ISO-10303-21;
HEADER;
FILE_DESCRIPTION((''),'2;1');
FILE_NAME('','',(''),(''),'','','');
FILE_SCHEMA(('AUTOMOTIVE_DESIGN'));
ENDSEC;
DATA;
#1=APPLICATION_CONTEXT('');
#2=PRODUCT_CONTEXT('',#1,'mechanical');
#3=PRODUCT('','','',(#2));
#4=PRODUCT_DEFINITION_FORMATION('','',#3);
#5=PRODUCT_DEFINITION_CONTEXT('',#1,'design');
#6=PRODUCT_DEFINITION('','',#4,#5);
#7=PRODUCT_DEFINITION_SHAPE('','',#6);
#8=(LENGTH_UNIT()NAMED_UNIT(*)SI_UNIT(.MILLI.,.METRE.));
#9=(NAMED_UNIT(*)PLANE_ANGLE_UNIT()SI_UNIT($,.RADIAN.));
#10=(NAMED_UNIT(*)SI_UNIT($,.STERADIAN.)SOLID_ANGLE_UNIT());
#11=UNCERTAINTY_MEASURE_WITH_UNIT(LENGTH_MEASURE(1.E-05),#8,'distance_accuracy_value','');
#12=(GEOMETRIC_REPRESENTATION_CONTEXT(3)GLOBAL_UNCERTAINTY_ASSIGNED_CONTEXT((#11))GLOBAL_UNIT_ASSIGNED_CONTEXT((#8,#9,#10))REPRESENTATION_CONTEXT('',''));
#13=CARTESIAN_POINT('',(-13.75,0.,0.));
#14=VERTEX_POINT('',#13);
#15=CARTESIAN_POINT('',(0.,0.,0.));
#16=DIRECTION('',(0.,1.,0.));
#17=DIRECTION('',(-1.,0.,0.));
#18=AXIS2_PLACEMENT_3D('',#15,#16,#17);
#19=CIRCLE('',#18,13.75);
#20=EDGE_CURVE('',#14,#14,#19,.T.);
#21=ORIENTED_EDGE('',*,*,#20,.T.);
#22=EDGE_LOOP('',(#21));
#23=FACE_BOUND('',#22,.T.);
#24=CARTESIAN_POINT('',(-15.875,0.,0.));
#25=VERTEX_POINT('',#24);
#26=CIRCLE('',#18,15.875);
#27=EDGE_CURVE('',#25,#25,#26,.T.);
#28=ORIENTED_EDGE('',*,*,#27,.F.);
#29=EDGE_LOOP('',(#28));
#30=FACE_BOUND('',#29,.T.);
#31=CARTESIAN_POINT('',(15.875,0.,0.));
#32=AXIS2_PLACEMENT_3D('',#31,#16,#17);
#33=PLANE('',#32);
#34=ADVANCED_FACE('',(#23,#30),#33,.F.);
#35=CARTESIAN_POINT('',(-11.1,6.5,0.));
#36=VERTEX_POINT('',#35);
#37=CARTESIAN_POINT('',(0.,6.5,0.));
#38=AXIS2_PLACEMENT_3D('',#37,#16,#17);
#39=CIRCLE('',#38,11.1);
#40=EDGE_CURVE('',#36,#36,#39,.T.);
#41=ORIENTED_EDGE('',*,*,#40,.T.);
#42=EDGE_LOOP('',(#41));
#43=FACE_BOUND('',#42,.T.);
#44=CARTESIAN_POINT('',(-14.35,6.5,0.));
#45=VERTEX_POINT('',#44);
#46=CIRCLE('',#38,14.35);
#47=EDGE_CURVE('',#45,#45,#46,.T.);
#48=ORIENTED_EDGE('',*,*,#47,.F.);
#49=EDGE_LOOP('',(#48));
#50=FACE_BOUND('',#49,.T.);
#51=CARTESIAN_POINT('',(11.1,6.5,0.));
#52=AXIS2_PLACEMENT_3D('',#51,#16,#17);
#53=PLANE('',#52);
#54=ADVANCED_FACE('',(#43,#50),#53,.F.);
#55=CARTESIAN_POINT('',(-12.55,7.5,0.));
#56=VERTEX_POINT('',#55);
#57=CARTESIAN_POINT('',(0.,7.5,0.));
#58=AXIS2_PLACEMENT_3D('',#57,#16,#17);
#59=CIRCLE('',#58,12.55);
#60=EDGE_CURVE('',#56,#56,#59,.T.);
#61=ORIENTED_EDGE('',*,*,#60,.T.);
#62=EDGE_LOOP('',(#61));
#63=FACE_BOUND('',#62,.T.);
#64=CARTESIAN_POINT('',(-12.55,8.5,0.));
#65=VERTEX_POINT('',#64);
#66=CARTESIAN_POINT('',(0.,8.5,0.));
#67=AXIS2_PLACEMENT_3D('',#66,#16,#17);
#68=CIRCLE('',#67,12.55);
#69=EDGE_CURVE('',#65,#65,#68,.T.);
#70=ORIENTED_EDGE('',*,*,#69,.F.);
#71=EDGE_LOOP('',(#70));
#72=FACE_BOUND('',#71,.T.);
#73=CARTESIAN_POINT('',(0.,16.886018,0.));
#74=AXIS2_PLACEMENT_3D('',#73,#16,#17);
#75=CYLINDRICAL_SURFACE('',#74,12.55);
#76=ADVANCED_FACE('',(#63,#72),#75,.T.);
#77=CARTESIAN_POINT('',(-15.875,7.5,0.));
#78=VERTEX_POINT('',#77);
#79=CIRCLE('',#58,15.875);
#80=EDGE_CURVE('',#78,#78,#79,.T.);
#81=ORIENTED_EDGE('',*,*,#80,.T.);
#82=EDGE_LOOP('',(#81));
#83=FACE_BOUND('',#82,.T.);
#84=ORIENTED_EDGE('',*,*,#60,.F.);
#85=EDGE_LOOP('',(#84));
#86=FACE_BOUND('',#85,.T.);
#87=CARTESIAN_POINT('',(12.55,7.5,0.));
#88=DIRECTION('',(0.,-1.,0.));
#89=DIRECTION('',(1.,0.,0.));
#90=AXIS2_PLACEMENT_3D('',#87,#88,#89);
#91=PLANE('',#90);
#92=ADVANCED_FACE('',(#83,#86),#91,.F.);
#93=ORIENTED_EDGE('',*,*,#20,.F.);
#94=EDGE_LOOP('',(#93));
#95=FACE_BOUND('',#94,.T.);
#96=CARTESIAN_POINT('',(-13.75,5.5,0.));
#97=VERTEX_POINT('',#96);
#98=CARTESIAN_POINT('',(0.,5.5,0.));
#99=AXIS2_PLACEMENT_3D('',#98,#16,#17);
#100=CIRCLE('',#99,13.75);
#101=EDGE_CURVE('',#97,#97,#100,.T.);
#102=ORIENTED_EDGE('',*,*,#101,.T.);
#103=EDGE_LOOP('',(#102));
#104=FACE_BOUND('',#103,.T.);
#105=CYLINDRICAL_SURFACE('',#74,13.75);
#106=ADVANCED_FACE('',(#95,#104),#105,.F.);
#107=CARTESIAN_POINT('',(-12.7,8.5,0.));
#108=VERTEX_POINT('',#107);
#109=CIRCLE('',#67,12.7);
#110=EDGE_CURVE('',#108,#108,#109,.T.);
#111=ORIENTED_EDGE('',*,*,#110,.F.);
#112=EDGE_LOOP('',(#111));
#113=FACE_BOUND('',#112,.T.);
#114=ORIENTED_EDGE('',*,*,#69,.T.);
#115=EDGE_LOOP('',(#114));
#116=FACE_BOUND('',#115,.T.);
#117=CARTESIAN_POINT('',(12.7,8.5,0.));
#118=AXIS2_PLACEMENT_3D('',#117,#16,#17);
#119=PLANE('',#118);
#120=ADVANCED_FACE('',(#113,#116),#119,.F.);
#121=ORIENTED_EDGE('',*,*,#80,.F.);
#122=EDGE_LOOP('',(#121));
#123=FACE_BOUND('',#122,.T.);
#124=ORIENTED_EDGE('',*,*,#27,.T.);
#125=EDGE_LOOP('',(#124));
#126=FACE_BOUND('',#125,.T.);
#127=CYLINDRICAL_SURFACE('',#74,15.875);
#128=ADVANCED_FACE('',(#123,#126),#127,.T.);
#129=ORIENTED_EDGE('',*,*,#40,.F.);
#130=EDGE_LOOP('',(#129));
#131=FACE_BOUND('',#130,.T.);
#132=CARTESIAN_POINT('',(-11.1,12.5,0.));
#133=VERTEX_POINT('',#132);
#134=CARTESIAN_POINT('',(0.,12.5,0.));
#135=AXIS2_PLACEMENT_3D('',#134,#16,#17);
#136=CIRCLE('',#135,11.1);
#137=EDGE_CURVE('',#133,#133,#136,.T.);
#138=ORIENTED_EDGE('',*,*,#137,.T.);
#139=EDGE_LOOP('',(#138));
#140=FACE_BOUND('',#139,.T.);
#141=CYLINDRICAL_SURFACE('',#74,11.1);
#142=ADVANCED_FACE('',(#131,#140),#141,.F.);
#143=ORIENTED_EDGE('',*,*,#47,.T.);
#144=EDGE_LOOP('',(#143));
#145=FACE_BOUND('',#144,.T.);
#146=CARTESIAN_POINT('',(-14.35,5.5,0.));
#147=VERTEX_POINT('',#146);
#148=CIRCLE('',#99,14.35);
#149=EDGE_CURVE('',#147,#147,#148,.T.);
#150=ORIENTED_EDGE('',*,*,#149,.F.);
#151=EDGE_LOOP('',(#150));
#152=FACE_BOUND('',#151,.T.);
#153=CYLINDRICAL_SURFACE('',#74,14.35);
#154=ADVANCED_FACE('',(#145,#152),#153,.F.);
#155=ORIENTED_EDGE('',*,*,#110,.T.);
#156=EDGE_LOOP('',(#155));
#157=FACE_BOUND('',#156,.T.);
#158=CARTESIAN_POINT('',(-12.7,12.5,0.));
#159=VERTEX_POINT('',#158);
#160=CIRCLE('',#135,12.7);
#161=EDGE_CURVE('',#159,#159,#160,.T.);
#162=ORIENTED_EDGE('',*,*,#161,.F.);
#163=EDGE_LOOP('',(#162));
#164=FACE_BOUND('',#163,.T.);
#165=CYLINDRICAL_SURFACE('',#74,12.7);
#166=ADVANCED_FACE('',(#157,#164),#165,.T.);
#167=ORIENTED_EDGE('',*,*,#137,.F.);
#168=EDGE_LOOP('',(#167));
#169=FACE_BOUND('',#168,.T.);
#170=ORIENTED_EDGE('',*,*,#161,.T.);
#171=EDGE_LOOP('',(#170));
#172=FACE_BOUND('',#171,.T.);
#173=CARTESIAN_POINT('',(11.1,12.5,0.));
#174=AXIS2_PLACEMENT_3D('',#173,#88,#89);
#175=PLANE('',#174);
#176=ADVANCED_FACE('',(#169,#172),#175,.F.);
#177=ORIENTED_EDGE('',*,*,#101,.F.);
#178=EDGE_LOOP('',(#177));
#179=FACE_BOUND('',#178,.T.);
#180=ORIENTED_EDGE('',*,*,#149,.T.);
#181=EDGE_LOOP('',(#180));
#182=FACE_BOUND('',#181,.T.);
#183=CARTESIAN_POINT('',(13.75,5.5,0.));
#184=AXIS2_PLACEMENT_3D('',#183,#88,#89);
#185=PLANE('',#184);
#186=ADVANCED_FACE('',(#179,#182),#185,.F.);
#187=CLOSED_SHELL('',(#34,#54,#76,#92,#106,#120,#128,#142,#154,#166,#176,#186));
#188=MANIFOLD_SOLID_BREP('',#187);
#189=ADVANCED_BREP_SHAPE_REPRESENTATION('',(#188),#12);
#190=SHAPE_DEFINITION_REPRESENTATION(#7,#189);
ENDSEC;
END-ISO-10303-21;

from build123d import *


with BuildPart() as part:
    # 草图1 → 旋转1 (revolve)
    with BuildSketch(Plane.XY, mode=Mode.PRIVATE) as revolve_1_sk:
        Polygon((13.75, 0), (13.75, 5.5), (14.35, 5.5), (14.35, 6.5), (11.1, 6.5), (11.1, 12.5), (12.7, 12.5), (12.7, 8.5), (12.55, 8.5), (12.55, 7.5), (15.875, 7.5), (15.875, 0), align=None)
    revolve(revolve_1_sk.sketch.rotate(Axis((0, 16.886018237, 0), (0, -1, 0)), 180), axis=Axis((0, 16.886018237, 0), (0, -1, 0)))  # turned: the seam where the file's is


solid = part.part
